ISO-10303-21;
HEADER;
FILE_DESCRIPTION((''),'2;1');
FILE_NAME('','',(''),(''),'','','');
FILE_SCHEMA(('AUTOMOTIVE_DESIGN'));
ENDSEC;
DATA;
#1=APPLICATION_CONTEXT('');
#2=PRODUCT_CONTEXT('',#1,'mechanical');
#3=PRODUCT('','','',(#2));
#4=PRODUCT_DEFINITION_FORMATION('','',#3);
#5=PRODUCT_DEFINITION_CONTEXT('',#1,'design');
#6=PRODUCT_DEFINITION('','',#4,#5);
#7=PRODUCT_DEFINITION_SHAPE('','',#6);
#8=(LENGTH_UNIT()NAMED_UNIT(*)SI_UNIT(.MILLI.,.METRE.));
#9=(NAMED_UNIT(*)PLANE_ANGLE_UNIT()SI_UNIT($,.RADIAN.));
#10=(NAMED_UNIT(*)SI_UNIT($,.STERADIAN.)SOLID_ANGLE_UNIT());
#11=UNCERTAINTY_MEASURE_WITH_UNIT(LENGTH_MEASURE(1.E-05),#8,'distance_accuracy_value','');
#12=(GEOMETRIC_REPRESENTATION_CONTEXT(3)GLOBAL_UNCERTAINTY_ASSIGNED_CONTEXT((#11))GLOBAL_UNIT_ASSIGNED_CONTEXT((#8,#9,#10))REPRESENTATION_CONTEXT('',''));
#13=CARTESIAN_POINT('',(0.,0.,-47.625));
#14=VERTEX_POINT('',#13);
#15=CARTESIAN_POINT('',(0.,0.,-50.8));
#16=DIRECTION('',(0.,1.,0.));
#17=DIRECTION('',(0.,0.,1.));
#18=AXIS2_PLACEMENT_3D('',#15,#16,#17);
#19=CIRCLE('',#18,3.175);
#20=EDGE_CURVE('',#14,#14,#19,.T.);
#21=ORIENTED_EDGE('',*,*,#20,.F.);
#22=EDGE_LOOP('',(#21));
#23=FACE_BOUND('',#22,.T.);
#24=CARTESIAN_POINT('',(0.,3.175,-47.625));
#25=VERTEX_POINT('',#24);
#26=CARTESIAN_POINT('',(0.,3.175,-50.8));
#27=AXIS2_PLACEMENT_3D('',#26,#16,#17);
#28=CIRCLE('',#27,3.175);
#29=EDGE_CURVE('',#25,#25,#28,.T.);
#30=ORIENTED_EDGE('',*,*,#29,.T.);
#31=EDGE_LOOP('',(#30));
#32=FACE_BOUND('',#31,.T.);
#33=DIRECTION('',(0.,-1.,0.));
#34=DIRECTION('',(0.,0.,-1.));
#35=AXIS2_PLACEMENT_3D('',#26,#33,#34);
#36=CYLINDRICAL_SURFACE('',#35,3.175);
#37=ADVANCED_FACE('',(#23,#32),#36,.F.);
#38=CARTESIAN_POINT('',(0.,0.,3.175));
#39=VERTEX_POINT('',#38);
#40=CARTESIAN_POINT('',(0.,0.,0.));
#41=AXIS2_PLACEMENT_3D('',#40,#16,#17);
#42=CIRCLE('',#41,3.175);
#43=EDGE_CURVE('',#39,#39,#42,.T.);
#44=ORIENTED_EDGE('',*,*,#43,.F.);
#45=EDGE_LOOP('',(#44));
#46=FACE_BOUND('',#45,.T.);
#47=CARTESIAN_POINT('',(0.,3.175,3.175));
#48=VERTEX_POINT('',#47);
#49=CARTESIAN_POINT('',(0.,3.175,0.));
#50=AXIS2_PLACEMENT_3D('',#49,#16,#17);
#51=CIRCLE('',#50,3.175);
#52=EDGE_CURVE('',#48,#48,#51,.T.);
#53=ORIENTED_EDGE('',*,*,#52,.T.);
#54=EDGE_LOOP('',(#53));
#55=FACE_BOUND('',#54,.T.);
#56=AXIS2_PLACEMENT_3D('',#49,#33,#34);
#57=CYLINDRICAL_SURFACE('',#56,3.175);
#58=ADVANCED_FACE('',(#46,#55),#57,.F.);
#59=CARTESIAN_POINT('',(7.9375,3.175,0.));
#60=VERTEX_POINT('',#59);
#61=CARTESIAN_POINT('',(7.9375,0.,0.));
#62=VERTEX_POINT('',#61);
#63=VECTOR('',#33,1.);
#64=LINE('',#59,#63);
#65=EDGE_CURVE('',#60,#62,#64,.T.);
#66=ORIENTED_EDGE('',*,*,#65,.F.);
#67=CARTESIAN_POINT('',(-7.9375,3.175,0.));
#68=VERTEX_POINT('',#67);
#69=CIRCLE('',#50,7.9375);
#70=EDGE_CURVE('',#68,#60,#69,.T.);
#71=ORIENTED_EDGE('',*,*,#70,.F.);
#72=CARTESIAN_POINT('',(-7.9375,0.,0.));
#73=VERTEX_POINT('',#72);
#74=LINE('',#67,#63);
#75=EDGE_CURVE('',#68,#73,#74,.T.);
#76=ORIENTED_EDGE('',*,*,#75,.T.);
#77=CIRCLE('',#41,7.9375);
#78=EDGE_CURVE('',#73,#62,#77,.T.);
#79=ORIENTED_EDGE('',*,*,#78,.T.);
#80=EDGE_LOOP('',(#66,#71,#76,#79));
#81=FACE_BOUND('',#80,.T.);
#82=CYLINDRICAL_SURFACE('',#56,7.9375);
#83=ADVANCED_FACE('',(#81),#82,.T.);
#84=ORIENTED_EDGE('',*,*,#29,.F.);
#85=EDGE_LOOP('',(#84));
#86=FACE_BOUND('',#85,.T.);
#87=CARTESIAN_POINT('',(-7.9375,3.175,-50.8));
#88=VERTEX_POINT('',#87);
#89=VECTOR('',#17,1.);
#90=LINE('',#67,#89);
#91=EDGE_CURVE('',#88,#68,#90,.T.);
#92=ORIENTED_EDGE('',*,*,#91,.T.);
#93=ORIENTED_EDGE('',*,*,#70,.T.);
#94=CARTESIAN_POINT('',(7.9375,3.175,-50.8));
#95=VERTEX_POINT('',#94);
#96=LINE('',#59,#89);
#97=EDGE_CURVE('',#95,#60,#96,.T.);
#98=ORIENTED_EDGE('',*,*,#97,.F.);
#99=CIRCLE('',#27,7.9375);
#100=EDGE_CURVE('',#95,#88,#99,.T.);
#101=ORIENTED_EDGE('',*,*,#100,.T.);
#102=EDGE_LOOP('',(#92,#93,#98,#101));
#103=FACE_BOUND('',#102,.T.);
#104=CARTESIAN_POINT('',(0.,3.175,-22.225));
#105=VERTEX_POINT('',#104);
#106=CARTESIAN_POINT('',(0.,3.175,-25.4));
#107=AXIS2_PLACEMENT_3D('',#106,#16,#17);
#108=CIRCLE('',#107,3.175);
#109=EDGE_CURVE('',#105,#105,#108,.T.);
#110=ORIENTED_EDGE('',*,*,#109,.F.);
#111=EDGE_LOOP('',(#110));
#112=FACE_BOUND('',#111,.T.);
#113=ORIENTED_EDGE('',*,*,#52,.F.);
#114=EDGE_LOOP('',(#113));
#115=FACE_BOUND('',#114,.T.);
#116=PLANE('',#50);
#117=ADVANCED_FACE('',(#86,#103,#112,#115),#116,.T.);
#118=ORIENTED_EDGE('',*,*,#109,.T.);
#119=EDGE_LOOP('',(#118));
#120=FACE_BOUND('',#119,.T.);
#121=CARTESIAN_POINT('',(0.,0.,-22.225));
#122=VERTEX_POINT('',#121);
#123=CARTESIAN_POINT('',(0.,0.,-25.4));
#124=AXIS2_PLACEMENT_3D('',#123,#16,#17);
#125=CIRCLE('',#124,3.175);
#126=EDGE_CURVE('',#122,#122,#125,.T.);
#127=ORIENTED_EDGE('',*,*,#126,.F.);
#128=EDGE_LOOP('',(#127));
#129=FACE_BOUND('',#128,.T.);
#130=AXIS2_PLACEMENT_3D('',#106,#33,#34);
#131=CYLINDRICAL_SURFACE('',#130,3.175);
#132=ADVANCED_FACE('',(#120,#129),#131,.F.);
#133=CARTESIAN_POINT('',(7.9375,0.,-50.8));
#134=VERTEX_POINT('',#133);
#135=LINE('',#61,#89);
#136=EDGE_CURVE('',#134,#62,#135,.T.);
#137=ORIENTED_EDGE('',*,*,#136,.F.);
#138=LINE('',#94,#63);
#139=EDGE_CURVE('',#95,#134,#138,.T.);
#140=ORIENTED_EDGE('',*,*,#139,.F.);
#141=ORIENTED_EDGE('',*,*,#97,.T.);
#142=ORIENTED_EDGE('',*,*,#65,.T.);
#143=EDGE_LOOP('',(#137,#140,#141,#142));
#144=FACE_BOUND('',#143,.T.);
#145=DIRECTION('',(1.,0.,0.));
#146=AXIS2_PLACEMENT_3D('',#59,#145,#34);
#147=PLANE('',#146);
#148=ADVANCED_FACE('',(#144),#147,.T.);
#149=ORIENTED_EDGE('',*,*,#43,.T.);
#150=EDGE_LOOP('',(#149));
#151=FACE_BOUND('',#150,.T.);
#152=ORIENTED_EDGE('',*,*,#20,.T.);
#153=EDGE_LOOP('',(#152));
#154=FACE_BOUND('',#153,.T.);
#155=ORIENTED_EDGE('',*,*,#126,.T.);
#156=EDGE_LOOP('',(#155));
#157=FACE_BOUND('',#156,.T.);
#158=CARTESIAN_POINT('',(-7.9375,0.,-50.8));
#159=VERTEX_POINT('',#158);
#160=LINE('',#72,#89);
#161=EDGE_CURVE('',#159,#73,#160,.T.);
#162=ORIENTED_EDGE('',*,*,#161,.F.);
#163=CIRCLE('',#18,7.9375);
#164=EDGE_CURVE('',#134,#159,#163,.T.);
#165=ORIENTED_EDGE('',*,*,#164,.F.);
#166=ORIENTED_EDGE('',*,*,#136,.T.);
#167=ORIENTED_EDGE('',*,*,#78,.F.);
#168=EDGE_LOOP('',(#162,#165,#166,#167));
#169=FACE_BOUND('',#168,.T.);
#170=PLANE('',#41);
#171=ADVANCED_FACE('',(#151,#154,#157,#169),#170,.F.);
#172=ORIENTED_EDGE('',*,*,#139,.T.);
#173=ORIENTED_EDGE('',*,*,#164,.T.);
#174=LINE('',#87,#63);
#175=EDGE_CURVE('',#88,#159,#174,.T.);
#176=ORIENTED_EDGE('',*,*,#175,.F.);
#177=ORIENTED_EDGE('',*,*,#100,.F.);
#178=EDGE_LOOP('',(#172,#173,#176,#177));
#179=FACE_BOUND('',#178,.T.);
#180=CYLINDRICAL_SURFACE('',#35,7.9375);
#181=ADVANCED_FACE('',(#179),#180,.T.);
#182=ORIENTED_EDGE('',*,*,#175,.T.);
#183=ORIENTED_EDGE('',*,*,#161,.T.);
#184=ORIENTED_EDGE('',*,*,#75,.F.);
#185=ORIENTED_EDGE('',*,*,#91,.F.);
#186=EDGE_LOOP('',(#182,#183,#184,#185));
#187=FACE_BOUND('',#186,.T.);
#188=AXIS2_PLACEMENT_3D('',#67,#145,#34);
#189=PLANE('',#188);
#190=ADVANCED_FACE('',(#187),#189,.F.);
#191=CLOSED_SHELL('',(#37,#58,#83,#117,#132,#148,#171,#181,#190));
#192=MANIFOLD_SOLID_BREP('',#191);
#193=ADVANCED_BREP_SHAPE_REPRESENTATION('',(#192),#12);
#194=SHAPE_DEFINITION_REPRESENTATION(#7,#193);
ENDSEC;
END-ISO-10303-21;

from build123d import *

# Parameters (mm, degrees)
SKETCH1_R           = 3.175
BOSS_EXTRUDE1_DEPTH = 3.175


with BuildPart() as part:
    # Sketch1 → Boss-Extrude1 (new body)
    with BuildSketch(Plane(origin=(0, 0, 0), x_dir=(1, 0, 0), z_dir=(0, 1, 0))):
        with BuildLine():
            ThreePointArc((7.9375, 50.8), (0, 58.7375), (-7.9375, 50.8))
            Line((-7.9375, 50.8), (-7.9375, 0))
            ThreePointArc((-7.9375, 0), (0, -7.9375), (7.9375, 0))
            Line((7.9375, 0), (7.9375, 50.8))
        make_face()
        with Locations((0, 50.8)):
            Circle(SKETCH1_R, mode=Mode.SUBTRACT)
        with Locations((0, 25.4)):
            Circle(SKETCH1_R, mode=Mode.SUBTRACT)
        Circle(SKETCH1_R, mode=Mode.SUBTRACT)
    extrude(amount=BOSS_EXTRUDE1_DEPTH)


solid = part.part
